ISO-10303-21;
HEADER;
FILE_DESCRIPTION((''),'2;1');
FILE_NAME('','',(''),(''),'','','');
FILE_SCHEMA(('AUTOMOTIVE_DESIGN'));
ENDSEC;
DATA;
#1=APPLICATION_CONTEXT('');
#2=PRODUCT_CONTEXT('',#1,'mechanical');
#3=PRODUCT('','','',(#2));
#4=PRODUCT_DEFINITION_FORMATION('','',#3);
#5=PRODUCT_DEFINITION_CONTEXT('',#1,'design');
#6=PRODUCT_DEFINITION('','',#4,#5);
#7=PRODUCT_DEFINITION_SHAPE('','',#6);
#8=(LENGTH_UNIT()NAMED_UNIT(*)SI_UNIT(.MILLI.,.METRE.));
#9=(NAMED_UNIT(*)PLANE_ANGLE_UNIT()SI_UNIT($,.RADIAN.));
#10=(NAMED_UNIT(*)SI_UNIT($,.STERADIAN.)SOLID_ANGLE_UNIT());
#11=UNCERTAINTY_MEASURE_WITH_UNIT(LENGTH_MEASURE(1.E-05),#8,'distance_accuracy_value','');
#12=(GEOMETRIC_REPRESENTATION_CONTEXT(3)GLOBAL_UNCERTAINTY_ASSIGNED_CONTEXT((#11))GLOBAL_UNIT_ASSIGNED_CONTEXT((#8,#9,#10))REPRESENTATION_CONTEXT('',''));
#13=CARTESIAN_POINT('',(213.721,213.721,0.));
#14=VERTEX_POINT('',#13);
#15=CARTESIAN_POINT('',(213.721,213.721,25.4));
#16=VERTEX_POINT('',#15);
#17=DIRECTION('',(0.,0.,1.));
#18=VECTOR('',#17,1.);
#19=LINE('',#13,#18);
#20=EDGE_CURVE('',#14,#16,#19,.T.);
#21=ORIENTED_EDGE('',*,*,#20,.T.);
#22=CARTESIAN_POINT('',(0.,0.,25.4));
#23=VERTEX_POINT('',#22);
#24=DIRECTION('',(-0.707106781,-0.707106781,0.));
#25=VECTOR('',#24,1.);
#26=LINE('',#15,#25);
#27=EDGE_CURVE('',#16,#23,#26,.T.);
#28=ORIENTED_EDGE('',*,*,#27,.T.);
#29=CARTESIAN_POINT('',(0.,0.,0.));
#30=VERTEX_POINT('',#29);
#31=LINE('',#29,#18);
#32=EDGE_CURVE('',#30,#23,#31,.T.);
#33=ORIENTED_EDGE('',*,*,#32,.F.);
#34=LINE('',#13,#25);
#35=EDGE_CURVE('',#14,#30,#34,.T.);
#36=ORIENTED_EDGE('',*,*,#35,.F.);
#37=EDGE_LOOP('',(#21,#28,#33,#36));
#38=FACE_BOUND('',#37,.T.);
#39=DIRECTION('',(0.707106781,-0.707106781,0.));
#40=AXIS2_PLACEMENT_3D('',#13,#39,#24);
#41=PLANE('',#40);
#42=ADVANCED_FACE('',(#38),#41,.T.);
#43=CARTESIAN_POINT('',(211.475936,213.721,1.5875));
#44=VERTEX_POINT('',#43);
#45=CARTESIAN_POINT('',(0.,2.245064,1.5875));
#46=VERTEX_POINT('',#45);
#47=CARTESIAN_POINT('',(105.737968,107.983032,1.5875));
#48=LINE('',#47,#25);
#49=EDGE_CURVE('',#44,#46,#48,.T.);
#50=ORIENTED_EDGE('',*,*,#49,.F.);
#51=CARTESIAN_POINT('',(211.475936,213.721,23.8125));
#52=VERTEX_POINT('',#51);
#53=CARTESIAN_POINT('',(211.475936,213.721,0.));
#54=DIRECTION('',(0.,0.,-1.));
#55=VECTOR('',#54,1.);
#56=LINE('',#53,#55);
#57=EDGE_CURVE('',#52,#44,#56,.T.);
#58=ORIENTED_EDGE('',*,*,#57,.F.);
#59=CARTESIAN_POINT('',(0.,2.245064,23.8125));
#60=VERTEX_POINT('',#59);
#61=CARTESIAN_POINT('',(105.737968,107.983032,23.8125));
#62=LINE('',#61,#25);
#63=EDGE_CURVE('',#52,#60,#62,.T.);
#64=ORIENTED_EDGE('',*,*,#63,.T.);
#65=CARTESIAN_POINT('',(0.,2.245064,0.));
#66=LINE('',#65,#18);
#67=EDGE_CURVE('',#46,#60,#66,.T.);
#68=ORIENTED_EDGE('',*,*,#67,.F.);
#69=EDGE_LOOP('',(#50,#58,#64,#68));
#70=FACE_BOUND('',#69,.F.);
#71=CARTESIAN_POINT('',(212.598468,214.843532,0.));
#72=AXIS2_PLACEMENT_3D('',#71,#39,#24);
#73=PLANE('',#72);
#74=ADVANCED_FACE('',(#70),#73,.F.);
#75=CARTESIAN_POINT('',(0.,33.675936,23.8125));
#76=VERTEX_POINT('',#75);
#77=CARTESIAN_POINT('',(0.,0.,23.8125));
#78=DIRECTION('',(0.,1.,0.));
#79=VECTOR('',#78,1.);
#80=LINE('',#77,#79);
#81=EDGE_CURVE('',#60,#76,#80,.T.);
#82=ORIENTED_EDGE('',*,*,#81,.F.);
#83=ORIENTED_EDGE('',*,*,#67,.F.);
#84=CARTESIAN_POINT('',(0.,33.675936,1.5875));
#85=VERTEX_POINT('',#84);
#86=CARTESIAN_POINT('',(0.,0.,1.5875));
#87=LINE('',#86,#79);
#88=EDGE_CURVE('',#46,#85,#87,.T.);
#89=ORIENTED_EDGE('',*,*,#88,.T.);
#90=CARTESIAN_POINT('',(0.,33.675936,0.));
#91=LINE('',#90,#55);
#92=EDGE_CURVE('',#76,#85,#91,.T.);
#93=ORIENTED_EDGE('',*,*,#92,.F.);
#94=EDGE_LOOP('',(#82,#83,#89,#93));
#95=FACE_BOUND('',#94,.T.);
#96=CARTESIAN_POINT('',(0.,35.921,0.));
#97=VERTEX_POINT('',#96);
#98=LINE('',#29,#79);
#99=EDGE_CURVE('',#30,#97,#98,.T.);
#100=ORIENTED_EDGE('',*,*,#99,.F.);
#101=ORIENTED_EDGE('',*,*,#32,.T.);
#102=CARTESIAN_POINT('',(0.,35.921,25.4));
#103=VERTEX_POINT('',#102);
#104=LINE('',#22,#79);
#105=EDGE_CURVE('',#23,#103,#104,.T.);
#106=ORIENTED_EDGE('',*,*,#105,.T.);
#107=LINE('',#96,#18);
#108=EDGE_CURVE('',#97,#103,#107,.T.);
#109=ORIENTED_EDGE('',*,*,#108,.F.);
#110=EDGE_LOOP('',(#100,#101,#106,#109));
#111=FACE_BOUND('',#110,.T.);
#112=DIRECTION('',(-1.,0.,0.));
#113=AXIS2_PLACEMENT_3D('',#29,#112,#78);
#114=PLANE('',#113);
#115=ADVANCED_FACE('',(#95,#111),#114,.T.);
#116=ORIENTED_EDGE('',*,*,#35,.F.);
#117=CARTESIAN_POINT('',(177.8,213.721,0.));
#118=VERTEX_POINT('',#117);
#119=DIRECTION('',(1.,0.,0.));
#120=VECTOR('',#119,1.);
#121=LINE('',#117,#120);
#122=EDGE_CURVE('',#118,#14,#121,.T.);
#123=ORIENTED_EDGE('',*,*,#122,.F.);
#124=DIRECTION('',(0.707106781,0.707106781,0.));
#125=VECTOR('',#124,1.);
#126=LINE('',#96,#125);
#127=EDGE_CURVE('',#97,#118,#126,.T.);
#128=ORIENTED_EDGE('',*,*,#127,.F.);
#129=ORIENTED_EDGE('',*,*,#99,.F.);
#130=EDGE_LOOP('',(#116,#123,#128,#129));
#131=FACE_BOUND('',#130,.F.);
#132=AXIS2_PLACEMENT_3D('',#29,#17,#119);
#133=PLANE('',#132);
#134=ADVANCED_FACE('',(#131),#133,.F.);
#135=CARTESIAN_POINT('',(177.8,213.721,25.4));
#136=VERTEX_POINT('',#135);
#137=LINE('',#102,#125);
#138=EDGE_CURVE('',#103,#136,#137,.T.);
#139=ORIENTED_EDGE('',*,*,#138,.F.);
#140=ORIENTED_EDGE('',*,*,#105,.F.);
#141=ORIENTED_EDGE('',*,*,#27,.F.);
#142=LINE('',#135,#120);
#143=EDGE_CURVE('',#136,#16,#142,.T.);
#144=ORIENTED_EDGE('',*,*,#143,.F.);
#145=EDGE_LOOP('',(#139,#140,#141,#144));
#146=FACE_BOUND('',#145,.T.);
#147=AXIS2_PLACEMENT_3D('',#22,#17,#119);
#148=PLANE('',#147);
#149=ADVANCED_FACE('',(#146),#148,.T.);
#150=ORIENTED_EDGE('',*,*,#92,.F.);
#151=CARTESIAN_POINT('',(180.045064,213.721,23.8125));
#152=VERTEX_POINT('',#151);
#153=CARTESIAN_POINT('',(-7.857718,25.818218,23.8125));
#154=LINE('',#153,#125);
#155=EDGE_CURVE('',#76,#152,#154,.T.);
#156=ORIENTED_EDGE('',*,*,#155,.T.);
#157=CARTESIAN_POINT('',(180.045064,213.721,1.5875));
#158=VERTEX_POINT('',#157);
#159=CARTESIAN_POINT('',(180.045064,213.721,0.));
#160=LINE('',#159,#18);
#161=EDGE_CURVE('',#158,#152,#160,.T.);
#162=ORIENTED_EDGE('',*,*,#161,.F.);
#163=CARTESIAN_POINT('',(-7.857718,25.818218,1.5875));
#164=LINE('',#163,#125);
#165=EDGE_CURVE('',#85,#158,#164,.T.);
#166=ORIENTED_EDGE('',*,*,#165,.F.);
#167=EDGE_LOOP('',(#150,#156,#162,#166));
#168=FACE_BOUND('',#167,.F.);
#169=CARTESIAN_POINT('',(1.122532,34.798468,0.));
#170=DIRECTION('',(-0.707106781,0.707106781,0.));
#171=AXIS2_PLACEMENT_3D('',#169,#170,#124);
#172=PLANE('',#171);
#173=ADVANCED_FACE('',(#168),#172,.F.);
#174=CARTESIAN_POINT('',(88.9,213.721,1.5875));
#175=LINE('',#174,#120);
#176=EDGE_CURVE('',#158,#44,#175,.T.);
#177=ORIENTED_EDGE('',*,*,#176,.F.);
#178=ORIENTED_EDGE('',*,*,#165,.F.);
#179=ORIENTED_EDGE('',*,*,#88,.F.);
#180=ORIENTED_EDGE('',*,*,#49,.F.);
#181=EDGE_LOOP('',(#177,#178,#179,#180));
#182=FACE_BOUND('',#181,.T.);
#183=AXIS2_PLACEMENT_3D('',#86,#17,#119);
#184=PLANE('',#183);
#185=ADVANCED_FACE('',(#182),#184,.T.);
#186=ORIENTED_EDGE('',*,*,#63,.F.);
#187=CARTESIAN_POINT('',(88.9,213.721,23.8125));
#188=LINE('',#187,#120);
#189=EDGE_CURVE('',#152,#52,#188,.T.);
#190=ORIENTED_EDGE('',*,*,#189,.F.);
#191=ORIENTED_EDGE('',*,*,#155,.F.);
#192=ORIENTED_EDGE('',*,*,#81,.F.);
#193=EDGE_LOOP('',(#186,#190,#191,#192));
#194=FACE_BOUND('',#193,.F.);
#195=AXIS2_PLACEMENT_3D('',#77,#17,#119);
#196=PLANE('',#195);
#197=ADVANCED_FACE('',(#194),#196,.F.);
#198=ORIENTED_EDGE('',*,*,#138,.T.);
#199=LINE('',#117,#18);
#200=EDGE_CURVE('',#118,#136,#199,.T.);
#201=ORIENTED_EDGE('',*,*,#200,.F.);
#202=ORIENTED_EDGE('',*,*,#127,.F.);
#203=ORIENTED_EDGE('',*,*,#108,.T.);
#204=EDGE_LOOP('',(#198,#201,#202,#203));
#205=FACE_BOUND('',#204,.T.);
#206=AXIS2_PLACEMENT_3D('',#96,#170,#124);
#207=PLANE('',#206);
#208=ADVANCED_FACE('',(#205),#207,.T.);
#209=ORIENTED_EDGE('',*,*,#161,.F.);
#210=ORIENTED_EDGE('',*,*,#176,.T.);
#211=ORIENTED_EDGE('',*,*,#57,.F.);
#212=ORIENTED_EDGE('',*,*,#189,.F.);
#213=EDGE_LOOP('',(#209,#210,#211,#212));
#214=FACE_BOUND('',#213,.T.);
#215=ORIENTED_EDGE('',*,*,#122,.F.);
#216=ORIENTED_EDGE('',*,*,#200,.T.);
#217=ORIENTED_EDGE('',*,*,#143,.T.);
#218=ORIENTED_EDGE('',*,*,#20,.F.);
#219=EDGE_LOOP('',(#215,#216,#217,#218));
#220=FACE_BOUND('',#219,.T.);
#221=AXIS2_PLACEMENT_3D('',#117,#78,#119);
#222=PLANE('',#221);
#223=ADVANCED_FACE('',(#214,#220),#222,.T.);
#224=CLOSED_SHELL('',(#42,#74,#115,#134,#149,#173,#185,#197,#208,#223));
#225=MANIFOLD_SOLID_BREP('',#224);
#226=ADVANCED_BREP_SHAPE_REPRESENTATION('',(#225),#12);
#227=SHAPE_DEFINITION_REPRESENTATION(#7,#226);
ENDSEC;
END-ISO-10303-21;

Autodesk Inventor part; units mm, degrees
ref_plane "YZ Plane" through (0, 0, 0) normal (1, 0, 0) x (0, 1, 0)
ref_plane "XZ Plane" through (0, 0, 0) normal (0, 1, 0) x (-1, 0, 0)
ref_plane "XY Plane" through (0, 0, 0) normal (0, 0, 1) x (1, 0, 0)
sketch "Sketch1" plane through (0, 0, 0) normal (0, 0, 1) x (1, 0, 0)
  line L0 (0, 0) -> (0, 35.921)
  line L1 (0, 35.921) -> (177.8, 213.721)
  line L2 (177.8, 213.721) -> (213.721, 213.721)
  line L3 (213.721, 213.721) -> (0, 0)
  dimension "d0" = 25.4
  dimension "d2" = 177.8
  dimension "d3" = 177.8
extrude "Extrusion1" add sketch "Sketch1" along normal blind 25.4
shell "Shell1" thickness 1.5875 removed faces 2 at (0, 11.9737, 8.4667) at (189.7737, 213.721, 16.9333)
properties part number "Frame_VerticalFrontAngle" material "Aluminum-6061"
